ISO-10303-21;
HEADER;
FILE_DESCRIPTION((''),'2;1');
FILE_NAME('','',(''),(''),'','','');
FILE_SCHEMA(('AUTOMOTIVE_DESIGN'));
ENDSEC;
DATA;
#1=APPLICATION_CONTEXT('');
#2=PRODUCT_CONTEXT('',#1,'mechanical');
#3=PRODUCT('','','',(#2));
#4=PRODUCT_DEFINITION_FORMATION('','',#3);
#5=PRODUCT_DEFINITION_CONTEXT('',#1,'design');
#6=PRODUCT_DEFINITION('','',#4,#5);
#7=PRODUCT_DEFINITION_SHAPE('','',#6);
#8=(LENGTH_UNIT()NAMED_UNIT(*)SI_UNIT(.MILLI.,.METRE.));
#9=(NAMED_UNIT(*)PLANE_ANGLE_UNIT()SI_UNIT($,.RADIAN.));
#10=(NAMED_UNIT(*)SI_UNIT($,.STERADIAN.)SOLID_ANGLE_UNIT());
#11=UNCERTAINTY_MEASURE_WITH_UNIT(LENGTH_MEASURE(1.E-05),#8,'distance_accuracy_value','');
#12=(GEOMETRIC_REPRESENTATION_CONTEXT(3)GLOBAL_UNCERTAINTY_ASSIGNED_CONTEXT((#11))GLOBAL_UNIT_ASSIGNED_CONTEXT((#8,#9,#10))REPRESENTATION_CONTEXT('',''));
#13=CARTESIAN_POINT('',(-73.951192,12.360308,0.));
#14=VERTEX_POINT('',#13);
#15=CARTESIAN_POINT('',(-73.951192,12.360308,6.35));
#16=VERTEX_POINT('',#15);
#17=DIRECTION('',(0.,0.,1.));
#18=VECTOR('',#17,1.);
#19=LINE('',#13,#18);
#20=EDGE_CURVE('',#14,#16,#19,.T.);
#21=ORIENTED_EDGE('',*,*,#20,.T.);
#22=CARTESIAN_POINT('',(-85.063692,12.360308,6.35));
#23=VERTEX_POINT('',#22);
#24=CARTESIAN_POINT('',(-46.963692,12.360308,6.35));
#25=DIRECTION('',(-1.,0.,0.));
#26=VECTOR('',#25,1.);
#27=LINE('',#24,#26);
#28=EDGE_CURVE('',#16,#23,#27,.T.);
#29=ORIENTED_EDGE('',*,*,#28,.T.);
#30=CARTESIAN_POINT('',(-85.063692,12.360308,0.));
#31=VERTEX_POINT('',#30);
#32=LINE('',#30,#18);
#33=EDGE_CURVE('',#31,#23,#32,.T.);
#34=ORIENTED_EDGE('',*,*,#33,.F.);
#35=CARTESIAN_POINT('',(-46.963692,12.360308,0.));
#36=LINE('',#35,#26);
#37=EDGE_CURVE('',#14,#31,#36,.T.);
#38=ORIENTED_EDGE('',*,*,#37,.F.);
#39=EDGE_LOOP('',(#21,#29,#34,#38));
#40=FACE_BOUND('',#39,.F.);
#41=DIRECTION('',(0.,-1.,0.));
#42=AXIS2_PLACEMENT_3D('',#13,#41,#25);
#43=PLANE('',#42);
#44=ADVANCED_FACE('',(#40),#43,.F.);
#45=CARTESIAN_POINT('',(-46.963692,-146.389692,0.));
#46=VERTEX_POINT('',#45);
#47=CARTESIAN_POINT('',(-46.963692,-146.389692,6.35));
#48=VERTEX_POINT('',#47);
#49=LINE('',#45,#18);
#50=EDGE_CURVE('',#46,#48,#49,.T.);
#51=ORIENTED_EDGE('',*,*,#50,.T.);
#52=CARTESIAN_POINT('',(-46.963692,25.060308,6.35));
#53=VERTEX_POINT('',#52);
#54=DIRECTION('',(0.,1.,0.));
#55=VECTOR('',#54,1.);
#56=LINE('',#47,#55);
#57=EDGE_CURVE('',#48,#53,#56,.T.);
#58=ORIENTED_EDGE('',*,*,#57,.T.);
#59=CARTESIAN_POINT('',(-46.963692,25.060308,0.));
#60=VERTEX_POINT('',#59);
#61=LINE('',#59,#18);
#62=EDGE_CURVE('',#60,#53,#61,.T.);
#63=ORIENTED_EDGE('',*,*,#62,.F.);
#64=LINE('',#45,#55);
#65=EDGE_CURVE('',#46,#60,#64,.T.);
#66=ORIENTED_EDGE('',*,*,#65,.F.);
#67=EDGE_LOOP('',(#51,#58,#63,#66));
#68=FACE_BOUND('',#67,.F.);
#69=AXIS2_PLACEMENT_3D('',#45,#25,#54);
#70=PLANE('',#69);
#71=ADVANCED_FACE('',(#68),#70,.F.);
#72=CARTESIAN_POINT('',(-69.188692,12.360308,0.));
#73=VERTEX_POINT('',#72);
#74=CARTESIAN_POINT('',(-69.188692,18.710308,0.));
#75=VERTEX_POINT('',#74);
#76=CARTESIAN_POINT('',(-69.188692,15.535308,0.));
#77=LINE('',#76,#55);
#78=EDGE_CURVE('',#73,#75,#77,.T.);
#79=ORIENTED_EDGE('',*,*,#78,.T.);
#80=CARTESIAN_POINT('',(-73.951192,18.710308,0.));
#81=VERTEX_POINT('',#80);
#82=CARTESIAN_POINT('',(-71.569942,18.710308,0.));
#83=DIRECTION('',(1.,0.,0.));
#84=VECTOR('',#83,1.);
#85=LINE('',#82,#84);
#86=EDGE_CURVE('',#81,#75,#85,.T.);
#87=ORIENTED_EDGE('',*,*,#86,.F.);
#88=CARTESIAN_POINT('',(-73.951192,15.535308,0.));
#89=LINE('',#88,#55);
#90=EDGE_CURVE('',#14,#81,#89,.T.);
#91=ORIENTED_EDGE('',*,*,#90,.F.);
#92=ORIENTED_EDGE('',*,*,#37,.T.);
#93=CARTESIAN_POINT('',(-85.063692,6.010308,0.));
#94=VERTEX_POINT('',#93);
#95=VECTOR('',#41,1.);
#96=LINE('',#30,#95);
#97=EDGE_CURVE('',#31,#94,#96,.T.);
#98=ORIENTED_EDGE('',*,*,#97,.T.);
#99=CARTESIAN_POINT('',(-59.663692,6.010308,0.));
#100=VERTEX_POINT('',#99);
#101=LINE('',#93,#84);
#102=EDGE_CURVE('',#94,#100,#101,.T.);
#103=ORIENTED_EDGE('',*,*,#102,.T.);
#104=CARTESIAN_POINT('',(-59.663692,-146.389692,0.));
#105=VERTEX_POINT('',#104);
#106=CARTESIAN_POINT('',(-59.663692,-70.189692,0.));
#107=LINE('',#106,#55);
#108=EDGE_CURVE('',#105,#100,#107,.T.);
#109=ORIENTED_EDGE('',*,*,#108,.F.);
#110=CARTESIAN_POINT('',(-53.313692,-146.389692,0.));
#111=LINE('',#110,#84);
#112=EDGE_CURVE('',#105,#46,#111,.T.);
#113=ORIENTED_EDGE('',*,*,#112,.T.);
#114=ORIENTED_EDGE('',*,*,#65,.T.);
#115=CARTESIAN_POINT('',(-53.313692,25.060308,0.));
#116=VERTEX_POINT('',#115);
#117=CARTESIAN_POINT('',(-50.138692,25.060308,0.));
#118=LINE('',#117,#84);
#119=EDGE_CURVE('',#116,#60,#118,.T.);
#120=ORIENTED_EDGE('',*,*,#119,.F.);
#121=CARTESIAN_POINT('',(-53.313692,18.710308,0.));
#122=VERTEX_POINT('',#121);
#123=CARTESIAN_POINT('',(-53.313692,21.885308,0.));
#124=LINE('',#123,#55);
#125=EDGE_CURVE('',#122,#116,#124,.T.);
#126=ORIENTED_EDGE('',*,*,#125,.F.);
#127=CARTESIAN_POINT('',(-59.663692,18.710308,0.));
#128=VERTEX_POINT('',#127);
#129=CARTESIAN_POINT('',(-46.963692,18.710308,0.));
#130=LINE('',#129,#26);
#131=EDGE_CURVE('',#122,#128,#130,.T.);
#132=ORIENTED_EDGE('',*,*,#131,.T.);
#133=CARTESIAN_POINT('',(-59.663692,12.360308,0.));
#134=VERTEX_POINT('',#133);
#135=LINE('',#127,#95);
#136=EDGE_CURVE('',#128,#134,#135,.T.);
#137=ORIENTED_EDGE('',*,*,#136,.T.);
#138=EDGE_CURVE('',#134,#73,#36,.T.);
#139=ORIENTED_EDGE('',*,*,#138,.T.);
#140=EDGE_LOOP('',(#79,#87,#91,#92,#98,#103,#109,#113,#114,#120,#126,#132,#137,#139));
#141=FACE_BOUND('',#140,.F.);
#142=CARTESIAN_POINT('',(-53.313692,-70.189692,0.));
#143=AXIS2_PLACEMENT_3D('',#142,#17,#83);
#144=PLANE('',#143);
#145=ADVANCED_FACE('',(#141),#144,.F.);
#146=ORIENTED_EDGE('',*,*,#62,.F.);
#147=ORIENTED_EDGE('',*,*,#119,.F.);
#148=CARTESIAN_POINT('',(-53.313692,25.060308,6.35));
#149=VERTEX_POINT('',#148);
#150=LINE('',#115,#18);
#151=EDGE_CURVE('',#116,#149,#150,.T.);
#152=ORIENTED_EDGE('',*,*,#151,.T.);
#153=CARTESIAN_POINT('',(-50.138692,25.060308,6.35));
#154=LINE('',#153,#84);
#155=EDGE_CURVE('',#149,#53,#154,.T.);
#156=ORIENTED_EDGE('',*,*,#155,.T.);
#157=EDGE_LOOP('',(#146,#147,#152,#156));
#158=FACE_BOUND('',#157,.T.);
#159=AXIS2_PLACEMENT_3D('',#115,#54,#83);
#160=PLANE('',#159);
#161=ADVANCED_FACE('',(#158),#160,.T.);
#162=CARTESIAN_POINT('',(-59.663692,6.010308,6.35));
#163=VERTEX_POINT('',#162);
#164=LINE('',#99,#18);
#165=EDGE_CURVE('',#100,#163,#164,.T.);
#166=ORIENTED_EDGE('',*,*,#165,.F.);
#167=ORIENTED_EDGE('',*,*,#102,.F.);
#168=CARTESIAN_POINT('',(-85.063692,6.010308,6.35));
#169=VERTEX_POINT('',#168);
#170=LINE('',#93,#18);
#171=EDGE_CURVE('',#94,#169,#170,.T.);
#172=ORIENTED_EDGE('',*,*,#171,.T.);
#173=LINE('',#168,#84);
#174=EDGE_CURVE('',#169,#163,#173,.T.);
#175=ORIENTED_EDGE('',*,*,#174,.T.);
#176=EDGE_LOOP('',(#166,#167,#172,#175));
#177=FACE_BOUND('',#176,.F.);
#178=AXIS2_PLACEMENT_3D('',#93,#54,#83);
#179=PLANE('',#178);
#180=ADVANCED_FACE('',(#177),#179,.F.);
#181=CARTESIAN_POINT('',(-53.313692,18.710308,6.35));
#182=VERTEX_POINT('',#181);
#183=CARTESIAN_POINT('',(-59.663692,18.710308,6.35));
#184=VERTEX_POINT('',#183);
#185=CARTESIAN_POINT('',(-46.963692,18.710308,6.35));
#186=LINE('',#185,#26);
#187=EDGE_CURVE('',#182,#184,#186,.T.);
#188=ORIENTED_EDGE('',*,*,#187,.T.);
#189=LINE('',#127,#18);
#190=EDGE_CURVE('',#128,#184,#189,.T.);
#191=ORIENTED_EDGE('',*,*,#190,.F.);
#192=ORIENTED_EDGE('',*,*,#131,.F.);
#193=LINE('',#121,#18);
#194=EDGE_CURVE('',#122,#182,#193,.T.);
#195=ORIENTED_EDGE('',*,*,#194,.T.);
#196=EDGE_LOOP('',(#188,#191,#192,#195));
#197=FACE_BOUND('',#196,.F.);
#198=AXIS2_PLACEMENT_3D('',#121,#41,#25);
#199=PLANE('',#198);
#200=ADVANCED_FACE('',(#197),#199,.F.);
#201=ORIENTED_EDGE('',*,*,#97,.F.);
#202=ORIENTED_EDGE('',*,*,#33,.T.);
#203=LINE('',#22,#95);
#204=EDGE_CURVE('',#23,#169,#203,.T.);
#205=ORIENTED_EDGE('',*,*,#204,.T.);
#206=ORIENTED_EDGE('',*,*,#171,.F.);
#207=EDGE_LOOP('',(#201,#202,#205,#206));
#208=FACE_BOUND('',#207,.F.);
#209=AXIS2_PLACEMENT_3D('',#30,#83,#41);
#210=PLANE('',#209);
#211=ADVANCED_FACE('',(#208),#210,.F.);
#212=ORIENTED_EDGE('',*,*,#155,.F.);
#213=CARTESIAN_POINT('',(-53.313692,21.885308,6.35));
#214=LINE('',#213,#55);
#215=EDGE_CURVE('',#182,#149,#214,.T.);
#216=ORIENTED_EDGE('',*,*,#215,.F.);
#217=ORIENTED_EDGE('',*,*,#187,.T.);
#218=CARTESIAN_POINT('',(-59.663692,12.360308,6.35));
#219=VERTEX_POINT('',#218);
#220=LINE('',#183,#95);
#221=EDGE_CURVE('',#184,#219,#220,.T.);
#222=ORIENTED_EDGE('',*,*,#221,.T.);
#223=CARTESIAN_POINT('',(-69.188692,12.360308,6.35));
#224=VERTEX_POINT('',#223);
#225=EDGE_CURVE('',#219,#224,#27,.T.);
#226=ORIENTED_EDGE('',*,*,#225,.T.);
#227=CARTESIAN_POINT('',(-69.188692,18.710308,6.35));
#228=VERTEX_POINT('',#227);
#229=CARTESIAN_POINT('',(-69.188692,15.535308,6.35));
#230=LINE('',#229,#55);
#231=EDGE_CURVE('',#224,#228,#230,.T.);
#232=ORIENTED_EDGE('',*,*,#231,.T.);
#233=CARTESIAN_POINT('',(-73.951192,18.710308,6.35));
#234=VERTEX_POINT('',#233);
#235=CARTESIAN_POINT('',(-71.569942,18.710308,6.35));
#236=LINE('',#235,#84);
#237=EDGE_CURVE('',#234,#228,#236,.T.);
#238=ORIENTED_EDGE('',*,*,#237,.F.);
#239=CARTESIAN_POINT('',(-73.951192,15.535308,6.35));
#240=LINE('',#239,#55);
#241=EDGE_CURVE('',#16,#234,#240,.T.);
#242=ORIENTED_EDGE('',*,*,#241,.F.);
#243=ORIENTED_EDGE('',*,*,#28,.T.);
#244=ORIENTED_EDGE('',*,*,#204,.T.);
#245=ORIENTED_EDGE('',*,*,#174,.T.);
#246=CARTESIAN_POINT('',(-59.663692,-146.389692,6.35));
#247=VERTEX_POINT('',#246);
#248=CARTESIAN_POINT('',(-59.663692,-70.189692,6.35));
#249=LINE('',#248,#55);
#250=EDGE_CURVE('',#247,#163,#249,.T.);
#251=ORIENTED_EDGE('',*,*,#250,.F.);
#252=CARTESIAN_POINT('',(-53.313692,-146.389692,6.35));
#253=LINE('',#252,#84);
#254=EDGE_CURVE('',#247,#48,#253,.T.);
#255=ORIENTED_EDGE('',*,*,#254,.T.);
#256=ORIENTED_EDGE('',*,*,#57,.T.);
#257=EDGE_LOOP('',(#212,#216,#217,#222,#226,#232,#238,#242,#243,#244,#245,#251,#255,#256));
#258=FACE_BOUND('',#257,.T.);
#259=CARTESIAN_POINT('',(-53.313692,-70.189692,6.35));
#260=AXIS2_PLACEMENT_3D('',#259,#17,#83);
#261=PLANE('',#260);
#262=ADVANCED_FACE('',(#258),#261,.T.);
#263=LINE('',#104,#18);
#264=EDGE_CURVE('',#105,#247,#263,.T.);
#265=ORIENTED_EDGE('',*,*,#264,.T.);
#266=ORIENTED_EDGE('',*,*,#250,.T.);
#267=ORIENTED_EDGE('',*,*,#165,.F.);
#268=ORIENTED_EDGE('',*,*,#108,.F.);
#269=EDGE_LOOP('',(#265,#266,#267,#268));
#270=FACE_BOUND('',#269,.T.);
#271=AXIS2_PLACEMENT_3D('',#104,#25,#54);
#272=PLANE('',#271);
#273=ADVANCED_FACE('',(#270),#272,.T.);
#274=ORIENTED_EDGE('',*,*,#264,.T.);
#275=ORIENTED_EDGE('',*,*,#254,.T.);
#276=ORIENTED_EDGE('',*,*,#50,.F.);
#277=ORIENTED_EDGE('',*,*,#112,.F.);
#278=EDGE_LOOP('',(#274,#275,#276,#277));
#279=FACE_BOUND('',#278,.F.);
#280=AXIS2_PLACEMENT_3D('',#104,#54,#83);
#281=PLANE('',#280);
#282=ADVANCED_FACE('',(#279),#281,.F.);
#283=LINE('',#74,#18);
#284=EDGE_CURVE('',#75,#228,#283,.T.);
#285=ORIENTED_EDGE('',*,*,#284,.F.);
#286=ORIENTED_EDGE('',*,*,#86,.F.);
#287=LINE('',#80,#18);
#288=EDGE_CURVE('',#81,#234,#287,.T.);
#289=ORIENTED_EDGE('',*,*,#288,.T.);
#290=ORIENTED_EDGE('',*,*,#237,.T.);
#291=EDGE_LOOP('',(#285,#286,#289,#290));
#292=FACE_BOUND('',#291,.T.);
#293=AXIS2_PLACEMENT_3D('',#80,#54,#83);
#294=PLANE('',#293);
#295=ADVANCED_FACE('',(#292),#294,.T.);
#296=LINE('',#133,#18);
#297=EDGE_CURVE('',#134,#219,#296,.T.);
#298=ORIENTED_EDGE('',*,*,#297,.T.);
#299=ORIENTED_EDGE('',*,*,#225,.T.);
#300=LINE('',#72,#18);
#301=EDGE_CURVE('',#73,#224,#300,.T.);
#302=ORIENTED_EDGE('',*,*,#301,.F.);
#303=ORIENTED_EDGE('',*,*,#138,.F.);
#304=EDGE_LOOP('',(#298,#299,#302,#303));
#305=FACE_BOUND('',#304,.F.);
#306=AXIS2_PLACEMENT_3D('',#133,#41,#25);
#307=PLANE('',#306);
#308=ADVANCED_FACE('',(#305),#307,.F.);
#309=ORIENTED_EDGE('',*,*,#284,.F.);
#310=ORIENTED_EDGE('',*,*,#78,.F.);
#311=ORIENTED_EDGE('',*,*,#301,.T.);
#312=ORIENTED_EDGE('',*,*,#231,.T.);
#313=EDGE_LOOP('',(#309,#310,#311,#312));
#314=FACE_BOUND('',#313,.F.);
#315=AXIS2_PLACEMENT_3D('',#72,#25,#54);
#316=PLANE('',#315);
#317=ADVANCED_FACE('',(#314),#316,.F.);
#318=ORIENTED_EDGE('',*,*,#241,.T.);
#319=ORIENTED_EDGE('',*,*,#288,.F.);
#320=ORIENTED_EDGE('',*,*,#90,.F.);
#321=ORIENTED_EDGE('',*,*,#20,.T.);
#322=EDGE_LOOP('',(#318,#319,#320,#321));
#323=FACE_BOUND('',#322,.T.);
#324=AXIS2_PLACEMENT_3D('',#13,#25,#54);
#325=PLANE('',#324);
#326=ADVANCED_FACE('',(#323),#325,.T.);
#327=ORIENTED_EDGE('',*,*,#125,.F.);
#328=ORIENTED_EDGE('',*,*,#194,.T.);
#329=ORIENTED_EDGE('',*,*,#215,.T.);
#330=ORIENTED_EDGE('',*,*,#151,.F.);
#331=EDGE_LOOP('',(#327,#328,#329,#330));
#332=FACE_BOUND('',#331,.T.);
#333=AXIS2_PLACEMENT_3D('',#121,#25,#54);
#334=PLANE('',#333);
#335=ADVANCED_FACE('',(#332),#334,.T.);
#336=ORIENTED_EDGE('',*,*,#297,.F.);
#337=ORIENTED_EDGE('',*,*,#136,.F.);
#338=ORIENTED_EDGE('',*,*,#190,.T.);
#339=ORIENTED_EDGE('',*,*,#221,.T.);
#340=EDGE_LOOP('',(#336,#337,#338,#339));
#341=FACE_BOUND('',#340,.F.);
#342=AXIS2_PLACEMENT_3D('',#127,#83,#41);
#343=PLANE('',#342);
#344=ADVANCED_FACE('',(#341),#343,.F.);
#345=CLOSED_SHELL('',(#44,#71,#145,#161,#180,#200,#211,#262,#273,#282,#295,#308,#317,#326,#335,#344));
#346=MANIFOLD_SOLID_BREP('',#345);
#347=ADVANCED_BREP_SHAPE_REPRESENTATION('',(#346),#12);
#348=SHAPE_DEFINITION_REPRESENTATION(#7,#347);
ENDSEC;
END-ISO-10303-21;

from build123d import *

# Parameters (mm, degrees)
F0_W     = 12.7
F0_H     = 152.4
F0_W_2   = 6.35
F0_H_2   = 6.35
F0_W_3   = 4.7625
F1_DEPTH = 6.35


with BuildPart() as f1:
    # F0 (on Top) → F1 (new body)
    with BuildSketch(Plane.XY):
        with Locations((-53.313692, -70.189692)):
            Rectangle(F0_W, F0_H)
        Polygon((-59.663692, 6.010308), (-46.963692, 6.010308), (-46.963692, 12.360308), (-59.663692, 12.360308), (-69.188692, 12.360308), (-73.951192, 12.360308), (-85.063692, 12.360308), (-85.063692, 6.010308), align=None)
        Polygon((-59.663692, 12.360308), (-46.963692, 12.360308), (-46.963692, 18.710308), (-53.313692, 18.710308), (-59.663692, 18.710308), align=None)
        with Locations((-50.138692, 21.885308)):
            Rectangle(F0_W_2, F0_H_2)
        with Locations((-71.569942, 15.535308)):
            Rectangle(F0_W_3, F0_H_2)
    extrude(amount=F1_DEPTH)


solid = f1.part
